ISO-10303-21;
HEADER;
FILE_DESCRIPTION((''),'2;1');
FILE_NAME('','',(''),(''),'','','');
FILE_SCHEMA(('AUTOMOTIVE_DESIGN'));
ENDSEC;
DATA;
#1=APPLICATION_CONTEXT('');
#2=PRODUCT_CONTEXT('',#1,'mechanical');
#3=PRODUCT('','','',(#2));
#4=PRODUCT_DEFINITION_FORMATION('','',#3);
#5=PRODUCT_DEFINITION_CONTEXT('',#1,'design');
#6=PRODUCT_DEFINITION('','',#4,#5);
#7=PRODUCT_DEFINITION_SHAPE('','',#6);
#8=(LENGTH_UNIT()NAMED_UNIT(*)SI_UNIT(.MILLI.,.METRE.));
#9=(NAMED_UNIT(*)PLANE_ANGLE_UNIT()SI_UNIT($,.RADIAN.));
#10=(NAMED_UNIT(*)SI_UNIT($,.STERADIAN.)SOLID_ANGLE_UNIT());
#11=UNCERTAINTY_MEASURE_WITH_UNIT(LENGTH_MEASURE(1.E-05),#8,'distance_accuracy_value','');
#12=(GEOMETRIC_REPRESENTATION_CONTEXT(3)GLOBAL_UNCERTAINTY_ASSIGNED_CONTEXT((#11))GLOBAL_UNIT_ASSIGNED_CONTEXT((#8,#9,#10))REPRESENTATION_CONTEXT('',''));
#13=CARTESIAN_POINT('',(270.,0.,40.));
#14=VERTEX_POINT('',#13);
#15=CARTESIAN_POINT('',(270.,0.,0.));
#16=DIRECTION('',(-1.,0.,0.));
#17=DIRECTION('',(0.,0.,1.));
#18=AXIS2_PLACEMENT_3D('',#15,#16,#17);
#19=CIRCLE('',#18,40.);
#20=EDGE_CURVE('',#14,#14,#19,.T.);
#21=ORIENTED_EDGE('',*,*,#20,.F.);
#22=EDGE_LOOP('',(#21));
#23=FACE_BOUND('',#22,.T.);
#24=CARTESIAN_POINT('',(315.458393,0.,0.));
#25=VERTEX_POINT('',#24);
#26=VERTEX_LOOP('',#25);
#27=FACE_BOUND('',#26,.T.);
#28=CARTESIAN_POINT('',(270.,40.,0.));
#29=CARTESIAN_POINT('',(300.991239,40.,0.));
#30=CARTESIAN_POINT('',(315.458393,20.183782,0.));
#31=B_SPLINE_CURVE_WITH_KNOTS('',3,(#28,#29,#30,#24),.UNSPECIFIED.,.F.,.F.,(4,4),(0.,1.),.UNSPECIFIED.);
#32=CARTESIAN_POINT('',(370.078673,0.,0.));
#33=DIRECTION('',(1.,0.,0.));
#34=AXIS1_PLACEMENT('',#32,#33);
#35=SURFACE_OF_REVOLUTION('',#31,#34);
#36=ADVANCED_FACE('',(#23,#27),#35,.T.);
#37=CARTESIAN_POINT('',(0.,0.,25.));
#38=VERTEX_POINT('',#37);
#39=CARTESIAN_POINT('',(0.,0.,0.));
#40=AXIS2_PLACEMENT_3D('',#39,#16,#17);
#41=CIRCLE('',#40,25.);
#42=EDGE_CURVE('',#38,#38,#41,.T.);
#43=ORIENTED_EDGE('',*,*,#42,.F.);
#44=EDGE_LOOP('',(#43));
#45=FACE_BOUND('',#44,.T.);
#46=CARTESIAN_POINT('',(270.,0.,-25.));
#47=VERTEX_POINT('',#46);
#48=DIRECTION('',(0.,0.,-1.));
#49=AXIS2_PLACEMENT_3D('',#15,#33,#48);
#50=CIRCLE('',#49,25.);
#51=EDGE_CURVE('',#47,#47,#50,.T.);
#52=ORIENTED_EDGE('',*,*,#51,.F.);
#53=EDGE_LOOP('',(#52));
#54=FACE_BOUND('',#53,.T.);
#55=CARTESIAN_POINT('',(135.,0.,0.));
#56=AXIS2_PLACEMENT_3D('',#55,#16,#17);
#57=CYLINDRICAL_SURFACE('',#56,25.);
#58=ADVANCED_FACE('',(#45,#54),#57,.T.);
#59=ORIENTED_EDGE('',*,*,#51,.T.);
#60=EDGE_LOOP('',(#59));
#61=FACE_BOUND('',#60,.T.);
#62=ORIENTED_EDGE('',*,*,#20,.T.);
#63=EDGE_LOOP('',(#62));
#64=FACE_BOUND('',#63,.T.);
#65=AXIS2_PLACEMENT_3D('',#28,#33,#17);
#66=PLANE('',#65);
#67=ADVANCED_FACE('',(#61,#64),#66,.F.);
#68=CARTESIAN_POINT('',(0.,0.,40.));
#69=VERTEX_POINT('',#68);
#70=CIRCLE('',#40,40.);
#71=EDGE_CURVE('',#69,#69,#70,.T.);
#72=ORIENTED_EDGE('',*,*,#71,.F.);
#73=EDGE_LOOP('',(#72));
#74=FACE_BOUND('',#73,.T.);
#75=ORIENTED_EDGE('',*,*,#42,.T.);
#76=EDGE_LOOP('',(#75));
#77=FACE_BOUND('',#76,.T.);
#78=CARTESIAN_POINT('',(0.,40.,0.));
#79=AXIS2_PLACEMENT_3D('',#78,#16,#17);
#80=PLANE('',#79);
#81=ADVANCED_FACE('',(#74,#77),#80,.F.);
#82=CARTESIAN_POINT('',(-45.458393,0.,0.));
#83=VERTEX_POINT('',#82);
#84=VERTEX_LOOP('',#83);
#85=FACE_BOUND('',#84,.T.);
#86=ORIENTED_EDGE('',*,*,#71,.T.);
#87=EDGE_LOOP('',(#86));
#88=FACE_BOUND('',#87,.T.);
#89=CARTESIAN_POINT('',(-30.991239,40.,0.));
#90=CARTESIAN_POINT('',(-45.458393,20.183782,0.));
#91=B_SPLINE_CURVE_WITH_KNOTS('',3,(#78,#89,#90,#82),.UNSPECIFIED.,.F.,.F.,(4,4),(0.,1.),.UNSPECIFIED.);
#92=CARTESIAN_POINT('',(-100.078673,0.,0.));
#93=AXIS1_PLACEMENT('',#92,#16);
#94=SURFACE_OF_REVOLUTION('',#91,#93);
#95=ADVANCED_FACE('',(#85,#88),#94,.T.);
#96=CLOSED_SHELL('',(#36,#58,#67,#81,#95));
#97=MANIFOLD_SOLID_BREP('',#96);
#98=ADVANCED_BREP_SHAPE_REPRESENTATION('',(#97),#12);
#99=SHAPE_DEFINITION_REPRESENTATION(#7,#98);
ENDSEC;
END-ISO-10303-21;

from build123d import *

# Parameters (mm, degrees)
SKETCH1_R           = 25
BOSS_EXTRUDE1_DEPTH = 135


with BuildPart() as part:
    # Sketch1 → Boss-Extrude1 (new body)
    with BuildSketch(Plane(origin=(0, 0, 0), x_dir=(0, 0, -1), z_dir=(1, 0, 0))):
        Circle(SKETCH1_R)
    boss_extrude1 = extrude(amount=BOSS_EXTRUDE1_DEPTH)

    # Sketch3 → Revolve1 (revolve)
    with BuildSketch(Plane.XY, mode=Mode.PRIVATE) as revolve1_sk:
        with BuildLine():
            Line((0, 0), (-45.458392513, 0))
            add(Edge.make_bspline(
                [(-45.458392513, 0), (-45.458392513, 20.183781855), (-30.991238831, 40), (0, 40)],
                knots=[0, 0, 0, 0, 1, 1, 1, 1], degree=3))
            Line((0, 40), (0, 0))
        make_face()
    revolve1 = revolve(revolve1_sk.sketch.rotate(Axis((-100.078673334, 0, 0), (1, 0, 0)), 90), axis=Axis((-100.078673334, 0, 0), (1, 0, 0)))

    # Mirror1: Boss-Extrude1, Revolve1 across plane
    add(boss_extrude1.mirror(Plane(origin=(135, 0, 0), x_dir=(0, 0, 1), z_dir=(1, 0, 0))))
    add(revolve1.mirror(Plane(origin=(135, 0, 0), x_dir=(0, 0, 1), z_dir=(1, 0, 0))))


solid = part.part
